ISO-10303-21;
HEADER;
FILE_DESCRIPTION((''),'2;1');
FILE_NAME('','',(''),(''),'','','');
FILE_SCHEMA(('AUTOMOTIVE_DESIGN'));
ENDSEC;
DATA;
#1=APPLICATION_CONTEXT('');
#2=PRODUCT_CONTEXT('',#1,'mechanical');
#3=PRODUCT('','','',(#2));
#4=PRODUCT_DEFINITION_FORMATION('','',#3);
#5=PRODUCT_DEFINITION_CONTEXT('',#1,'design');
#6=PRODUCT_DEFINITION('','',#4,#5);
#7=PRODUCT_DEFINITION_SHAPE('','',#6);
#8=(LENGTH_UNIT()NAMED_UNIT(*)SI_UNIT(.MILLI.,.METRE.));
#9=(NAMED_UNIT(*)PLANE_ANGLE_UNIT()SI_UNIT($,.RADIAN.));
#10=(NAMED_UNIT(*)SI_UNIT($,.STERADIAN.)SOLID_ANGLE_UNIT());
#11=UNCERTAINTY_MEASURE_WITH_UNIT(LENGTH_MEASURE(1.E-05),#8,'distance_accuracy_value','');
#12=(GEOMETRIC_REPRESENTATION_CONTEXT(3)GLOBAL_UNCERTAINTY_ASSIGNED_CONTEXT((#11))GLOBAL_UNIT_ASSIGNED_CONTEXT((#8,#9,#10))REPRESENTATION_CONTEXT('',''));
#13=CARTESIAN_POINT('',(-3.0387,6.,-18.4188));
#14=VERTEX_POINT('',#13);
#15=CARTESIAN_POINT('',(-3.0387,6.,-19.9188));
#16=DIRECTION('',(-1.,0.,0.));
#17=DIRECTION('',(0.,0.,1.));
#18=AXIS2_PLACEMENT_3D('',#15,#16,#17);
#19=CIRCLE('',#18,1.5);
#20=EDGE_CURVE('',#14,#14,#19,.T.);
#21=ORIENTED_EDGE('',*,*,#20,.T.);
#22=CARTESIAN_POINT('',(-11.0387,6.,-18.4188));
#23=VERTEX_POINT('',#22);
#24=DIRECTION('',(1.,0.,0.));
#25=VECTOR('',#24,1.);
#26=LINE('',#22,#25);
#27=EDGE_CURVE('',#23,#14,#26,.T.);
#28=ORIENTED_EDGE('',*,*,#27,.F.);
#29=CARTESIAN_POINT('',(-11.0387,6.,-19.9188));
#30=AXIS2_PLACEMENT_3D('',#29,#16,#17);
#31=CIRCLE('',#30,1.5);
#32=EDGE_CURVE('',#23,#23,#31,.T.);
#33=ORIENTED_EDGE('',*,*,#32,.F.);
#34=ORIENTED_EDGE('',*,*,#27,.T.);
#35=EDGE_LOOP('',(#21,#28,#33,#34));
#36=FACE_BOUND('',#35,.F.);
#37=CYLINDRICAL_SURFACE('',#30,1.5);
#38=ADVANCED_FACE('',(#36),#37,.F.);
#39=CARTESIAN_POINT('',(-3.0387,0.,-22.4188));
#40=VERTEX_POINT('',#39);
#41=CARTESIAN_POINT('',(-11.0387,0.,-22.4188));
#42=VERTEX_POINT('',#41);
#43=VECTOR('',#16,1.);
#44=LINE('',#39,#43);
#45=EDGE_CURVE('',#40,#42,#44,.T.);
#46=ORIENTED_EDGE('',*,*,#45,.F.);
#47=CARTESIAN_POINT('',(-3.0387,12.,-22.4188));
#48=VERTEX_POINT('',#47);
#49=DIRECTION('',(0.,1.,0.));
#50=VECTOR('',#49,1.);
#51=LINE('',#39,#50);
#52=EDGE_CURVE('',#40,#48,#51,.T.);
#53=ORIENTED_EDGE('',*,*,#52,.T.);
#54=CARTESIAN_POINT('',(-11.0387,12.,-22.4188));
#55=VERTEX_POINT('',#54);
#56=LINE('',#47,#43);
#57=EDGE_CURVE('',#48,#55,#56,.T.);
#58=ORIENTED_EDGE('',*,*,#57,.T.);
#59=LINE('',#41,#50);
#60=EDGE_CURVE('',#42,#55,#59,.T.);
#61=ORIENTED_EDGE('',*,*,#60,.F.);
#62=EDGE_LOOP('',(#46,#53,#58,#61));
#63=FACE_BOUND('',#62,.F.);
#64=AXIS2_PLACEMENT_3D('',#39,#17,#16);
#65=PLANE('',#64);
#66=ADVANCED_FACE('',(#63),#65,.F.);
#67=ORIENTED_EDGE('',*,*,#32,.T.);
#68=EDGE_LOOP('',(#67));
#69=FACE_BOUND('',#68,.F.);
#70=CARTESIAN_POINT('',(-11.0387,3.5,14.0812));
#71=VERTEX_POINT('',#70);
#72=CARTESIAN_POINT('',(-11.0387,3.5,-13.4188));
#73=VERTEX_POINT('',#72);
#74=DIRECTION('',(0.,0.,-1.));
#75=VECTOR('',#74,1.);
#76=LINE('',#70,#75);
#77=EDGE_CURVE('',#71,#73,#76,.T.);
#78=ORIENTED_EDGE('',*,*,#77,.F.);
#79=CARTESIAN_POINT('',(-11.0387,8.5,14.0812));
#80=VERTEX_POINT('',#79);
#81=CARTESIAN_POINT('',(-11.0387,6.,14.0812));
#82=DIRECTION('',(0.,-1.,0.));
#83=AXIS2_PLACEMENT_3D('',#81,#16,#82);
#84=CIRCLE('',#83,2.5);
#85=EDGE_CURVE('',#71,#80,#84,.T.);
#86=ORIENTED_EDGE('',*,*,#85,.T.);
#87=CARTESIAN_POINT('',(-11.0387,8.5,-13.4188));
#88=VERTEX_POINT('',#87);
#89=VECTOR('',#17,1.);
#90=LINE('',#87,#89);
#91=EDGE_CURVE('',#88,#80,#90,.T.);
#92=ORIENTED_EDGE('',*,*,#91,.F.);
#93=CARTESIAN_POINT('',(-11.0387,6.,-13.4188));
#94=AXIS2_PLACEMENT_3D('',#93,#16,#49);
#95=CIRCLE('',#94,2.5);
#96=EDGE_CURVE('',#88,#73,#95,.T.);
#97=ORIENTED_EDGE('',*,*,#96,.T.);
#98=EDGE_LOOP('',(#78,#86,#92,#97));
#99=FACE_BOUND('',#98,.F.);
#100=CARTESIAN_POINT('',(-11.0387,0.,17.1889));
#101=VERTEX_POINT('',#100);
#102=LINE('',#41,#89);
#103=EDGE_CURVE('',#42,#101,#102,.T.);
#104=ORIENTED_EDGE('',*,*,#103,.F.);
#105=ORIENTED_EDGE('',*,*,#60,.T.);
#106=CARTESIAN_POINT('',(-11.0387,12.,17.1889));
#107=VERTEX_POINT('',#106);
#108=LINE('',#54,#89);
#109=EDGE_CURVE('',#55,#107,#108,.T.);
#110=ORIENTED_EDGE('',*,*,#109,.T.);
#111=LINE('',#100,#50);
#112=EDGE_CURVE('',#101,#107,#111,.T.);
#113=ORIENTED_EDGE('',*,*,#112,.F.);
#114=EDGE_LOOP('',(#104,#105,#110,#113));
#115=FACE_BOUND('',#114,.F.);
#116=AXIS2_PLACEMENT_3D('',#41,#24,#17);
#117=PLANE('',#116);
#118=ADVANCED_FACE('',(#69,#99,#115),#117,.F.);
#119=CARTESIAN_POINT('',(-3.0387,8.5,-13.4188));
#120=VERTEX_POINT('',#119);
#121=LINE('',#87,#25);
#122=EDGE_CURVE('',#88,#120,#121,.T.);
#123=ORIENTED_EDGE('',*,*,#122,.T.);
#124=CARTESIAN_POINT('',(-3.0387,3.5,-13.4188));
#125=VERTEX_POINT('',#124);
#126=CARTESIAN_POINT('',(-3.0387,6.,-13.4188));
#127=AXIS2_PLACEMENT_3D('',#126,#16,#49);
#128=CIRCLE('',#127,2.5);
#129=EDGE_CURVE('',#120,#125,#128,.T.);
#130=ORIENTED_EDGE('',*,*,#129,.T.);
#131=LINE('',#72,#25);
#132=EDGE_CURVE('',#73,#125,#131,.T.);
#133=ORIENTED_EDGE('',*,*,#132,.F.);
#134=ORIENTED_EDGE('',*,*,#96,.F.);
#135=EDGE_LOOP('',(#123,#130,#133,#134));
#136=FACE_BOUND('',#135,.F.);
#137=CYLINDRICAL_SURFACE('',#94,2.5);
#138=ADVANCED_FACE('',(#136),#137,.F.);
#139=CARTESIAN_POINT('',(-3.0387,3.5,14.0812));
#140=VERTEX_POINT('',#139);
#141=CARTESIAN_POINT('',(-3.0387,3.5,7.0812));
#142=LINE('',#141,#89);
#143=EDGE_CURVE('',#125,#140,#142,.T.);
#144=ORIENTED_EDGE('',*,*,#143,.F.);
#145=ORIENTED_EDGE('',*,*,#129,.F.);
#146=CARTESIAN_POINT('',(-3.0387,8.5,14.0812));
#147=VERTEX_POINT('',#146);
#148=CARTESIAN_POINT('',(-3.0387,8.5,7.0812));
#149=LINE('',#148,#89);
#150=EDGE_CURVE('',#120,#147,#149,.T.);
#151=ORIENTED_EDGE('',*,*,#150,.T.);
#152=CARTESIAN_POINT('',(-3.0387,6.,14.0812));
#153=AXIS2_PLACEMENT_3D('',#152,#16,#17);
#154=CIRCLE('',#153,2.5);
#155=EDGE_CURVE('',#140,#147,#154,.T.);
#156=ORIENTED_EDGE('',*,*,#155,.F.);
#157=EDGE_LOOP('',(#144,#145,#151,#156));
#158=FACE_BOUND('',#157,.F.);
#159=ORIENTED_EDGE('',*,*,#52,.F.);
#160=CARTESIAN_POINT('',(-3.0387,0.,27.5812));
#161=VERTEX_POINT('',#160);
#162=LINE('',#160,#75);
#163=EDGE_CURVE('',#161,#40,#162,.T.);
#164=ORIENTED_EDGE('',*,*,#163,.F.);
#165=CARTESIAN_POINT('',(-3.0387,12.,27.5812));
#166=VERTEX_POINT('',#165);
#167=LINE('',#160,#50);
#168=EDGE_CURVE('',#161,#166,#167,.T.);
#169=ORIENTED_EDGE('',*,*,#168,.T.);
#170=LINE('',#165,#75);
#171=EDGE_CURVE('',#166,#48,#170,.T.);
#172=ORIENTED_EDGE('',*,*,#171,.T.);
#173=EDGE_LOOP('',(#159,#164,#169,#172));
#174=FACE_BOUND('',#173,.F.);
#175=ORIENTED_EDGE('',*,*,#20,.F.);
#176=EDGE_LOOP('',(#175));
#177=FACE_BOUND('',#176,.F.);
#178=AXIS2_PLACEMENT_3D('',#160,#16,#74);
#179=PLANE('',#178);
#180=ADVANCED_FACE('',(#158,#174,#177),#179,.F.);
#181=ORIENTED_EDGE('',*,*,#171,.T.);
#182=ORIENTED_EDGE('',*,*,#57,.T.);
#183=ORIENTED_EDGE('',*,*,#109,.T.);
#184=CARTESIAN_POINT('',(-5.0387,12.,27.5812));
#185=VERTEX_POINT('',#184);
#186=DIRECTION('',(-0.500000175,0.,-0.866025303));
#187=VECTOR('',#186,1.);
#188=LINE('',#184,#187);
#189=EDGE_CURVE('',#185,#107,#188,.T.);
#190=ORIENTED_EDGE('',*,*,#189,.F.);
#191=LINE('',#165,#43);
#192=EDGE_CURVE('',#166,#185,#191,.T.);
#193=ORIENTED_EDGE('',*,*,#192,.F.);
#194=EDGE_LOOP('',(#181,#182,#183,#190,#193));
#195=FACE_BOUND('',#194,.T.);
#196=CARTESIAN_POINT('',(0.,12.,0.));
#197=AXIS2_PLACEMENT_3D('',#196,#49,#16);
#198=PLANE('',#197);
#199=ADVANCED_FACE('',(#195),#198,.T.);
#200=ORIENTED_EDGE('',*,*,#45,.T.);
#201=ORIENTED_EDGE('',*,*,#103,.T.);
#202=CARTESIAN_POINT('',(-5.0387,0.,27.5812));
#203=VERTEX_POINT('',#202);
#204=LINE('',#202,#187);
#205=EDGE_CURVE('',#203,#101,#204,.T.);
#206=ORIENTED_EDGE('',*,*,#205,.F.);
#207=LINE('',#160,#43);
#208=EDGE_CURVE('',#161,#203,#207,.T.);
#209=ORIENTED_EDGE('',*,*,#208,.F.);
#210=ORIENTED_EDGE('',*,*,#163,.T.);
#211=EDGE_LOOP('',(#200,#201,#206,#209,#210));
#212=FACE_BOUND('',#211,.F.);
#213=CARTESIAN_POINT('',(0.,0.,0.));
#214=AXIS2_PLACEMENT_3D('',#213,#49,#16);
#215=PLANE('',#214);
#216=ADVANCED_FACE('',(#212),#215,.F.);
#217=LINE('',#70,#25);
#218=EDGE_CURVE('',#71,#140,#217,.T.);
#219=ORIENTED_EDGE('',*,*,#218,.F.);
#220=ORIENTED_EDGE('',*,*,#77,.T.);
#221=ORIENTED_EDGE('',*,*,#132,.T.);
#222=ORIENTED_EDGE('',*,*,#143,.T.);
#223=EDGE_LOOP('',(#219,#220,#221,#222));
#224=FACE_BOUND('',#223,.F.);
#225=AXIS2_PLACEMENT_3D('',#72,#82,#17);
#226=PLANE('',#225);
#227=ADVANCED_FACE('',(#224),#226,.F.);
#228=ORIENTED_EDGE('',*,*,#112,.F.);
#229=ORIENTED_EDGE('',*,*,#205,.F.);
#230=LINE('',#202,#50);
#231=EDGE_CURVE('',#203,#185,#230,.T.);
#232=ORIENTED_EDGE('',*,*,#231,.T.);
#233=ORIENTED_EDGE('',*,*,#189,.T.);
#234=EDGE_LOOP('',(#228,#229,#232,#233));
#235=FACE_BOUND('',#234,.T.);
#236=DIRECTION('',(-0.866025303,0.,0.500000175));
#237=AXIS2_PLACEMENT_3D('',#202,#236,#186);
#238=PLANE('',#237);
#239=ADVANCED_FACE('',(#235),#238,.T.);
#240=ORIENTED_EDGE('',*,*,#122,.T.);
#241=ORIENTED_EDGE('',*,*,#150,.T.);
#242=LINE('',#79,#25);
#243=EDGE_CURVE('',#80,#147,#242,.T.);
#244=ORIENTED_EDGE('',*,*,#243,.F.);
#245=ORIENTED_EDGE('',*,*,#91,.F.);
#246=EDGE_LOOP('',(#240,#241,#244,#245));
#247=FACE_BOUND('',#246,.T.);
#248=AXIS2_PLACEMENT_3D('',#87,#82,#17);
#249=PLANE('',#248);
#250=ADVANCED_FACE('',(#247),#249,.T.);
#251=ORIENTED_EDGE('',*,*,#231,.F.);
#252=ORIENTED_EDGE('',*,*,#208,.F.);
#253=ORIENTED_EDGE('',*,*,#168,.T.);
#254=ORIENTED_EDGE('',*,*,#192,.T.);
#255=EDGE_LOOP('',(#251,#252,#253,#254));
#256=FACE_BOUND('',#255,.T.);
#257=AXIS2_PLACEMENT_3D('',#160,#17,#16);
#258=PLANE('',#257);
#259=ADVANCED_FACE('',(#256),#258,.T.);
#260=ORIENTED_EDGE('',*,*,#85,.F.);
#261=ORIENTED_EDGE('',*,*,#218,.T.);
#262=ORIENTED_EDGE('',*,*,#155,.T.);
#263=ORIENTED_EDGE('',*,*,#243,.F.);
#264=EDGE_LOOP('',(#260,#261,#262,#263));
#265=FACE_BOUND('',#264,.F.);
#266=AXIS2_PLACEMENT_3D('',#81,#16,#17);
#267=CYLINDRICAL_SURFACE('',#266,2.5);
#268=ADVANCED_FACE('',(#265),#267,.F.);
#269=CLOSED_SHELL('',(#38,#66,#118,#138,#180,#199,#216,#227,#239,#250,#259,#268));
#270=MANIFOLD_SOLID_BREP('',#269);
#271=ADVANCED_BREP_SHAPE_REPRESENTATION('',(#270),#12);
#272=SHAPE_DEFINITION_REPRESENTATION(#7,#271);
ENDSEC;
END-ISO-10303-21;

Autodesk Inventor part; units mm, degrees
ref_plane "YZ Plane" through (0, 0, 0) normal (1, 0, 0) x (0, 1, 0)
ref_plane "XZ Plane" through (0, 0, 0) normal (0, 1, 0) x (-1, 0, 0)
ref_plane "XY Plane" through (0, 0, 0) normal (0, 0, 1) x (1, 0, 0)
sketch "Boceto1" plane through (0, 0, 0) normal (0, 1, 0) x (-1, 0, 0)
  line L0 (3.0387, 27.5812) -> (3.0387, -22.4188)
  line L1 (3.0387, -22.4188) -> (11.0387, -22.4188)
  line L2 (11.0387, -22.4188) -> (11.0387, 17.1889)
  line L3 (3.0387, 27.5812) -> (5.0387, 27.5812)
  line L4 (5.0387, 27.5812) -> (11.0387, 17.1889)
  dimension "d0" = 50
  dimension "d1" = 8
  dimension "d3" = 2
  dimension "d69" = 30
extrude "Extrusión1" add sketch "Boceto1" along normal blind 12
sketch "Boceto3" plane through (-11.0387, 0, -22.4188) normal (-1, 0, 0) x (0, 0, 1)
  line L0 (0, 0) -> (0, 12) projected
  line L1 (39.6077, 0) -> (39.6077, 12) projected
  line L2 (0, 12) -> (39.6077, 12) projected
  circle A0 centre (2.5, 6) radius 1.5
  line L3 (9, 3.5) -> (36.5, 3.5)
  line L4 (9, 8.5) -> (36.5, 8.5)
  line L5 (0, 0) -> (39.6077, 0) projected
  arc A1 (9, 8.5) -> (9, 3.5) centre (9, 6) ccw
  circle A2 centre (9, 6) radius 4.5
  circle A3 centre (36.5, 6) radius 2.5
  dimension "d51" = 3
  dimension "d52" = 2.5
  dimension "d56" = 27.5
  dimension "d63" = 5
  dimension "d64" = 9
  dimension "d65" = 27.5
  dimension "d66" = 9
extrude "Extrusión6" cut sketch "Boceto3" against normal blind 10 contours A0 | A1 L4 A2 L3 | A2 L4 A3 L3 | A3 picked at (10.5, 6)
thread "Thread1" size "M3x0.5" class "6H" standard "ISO Metric profile" length 98
properties part number "Chaponete" material "Steel, High Strength, Low Alloy"
